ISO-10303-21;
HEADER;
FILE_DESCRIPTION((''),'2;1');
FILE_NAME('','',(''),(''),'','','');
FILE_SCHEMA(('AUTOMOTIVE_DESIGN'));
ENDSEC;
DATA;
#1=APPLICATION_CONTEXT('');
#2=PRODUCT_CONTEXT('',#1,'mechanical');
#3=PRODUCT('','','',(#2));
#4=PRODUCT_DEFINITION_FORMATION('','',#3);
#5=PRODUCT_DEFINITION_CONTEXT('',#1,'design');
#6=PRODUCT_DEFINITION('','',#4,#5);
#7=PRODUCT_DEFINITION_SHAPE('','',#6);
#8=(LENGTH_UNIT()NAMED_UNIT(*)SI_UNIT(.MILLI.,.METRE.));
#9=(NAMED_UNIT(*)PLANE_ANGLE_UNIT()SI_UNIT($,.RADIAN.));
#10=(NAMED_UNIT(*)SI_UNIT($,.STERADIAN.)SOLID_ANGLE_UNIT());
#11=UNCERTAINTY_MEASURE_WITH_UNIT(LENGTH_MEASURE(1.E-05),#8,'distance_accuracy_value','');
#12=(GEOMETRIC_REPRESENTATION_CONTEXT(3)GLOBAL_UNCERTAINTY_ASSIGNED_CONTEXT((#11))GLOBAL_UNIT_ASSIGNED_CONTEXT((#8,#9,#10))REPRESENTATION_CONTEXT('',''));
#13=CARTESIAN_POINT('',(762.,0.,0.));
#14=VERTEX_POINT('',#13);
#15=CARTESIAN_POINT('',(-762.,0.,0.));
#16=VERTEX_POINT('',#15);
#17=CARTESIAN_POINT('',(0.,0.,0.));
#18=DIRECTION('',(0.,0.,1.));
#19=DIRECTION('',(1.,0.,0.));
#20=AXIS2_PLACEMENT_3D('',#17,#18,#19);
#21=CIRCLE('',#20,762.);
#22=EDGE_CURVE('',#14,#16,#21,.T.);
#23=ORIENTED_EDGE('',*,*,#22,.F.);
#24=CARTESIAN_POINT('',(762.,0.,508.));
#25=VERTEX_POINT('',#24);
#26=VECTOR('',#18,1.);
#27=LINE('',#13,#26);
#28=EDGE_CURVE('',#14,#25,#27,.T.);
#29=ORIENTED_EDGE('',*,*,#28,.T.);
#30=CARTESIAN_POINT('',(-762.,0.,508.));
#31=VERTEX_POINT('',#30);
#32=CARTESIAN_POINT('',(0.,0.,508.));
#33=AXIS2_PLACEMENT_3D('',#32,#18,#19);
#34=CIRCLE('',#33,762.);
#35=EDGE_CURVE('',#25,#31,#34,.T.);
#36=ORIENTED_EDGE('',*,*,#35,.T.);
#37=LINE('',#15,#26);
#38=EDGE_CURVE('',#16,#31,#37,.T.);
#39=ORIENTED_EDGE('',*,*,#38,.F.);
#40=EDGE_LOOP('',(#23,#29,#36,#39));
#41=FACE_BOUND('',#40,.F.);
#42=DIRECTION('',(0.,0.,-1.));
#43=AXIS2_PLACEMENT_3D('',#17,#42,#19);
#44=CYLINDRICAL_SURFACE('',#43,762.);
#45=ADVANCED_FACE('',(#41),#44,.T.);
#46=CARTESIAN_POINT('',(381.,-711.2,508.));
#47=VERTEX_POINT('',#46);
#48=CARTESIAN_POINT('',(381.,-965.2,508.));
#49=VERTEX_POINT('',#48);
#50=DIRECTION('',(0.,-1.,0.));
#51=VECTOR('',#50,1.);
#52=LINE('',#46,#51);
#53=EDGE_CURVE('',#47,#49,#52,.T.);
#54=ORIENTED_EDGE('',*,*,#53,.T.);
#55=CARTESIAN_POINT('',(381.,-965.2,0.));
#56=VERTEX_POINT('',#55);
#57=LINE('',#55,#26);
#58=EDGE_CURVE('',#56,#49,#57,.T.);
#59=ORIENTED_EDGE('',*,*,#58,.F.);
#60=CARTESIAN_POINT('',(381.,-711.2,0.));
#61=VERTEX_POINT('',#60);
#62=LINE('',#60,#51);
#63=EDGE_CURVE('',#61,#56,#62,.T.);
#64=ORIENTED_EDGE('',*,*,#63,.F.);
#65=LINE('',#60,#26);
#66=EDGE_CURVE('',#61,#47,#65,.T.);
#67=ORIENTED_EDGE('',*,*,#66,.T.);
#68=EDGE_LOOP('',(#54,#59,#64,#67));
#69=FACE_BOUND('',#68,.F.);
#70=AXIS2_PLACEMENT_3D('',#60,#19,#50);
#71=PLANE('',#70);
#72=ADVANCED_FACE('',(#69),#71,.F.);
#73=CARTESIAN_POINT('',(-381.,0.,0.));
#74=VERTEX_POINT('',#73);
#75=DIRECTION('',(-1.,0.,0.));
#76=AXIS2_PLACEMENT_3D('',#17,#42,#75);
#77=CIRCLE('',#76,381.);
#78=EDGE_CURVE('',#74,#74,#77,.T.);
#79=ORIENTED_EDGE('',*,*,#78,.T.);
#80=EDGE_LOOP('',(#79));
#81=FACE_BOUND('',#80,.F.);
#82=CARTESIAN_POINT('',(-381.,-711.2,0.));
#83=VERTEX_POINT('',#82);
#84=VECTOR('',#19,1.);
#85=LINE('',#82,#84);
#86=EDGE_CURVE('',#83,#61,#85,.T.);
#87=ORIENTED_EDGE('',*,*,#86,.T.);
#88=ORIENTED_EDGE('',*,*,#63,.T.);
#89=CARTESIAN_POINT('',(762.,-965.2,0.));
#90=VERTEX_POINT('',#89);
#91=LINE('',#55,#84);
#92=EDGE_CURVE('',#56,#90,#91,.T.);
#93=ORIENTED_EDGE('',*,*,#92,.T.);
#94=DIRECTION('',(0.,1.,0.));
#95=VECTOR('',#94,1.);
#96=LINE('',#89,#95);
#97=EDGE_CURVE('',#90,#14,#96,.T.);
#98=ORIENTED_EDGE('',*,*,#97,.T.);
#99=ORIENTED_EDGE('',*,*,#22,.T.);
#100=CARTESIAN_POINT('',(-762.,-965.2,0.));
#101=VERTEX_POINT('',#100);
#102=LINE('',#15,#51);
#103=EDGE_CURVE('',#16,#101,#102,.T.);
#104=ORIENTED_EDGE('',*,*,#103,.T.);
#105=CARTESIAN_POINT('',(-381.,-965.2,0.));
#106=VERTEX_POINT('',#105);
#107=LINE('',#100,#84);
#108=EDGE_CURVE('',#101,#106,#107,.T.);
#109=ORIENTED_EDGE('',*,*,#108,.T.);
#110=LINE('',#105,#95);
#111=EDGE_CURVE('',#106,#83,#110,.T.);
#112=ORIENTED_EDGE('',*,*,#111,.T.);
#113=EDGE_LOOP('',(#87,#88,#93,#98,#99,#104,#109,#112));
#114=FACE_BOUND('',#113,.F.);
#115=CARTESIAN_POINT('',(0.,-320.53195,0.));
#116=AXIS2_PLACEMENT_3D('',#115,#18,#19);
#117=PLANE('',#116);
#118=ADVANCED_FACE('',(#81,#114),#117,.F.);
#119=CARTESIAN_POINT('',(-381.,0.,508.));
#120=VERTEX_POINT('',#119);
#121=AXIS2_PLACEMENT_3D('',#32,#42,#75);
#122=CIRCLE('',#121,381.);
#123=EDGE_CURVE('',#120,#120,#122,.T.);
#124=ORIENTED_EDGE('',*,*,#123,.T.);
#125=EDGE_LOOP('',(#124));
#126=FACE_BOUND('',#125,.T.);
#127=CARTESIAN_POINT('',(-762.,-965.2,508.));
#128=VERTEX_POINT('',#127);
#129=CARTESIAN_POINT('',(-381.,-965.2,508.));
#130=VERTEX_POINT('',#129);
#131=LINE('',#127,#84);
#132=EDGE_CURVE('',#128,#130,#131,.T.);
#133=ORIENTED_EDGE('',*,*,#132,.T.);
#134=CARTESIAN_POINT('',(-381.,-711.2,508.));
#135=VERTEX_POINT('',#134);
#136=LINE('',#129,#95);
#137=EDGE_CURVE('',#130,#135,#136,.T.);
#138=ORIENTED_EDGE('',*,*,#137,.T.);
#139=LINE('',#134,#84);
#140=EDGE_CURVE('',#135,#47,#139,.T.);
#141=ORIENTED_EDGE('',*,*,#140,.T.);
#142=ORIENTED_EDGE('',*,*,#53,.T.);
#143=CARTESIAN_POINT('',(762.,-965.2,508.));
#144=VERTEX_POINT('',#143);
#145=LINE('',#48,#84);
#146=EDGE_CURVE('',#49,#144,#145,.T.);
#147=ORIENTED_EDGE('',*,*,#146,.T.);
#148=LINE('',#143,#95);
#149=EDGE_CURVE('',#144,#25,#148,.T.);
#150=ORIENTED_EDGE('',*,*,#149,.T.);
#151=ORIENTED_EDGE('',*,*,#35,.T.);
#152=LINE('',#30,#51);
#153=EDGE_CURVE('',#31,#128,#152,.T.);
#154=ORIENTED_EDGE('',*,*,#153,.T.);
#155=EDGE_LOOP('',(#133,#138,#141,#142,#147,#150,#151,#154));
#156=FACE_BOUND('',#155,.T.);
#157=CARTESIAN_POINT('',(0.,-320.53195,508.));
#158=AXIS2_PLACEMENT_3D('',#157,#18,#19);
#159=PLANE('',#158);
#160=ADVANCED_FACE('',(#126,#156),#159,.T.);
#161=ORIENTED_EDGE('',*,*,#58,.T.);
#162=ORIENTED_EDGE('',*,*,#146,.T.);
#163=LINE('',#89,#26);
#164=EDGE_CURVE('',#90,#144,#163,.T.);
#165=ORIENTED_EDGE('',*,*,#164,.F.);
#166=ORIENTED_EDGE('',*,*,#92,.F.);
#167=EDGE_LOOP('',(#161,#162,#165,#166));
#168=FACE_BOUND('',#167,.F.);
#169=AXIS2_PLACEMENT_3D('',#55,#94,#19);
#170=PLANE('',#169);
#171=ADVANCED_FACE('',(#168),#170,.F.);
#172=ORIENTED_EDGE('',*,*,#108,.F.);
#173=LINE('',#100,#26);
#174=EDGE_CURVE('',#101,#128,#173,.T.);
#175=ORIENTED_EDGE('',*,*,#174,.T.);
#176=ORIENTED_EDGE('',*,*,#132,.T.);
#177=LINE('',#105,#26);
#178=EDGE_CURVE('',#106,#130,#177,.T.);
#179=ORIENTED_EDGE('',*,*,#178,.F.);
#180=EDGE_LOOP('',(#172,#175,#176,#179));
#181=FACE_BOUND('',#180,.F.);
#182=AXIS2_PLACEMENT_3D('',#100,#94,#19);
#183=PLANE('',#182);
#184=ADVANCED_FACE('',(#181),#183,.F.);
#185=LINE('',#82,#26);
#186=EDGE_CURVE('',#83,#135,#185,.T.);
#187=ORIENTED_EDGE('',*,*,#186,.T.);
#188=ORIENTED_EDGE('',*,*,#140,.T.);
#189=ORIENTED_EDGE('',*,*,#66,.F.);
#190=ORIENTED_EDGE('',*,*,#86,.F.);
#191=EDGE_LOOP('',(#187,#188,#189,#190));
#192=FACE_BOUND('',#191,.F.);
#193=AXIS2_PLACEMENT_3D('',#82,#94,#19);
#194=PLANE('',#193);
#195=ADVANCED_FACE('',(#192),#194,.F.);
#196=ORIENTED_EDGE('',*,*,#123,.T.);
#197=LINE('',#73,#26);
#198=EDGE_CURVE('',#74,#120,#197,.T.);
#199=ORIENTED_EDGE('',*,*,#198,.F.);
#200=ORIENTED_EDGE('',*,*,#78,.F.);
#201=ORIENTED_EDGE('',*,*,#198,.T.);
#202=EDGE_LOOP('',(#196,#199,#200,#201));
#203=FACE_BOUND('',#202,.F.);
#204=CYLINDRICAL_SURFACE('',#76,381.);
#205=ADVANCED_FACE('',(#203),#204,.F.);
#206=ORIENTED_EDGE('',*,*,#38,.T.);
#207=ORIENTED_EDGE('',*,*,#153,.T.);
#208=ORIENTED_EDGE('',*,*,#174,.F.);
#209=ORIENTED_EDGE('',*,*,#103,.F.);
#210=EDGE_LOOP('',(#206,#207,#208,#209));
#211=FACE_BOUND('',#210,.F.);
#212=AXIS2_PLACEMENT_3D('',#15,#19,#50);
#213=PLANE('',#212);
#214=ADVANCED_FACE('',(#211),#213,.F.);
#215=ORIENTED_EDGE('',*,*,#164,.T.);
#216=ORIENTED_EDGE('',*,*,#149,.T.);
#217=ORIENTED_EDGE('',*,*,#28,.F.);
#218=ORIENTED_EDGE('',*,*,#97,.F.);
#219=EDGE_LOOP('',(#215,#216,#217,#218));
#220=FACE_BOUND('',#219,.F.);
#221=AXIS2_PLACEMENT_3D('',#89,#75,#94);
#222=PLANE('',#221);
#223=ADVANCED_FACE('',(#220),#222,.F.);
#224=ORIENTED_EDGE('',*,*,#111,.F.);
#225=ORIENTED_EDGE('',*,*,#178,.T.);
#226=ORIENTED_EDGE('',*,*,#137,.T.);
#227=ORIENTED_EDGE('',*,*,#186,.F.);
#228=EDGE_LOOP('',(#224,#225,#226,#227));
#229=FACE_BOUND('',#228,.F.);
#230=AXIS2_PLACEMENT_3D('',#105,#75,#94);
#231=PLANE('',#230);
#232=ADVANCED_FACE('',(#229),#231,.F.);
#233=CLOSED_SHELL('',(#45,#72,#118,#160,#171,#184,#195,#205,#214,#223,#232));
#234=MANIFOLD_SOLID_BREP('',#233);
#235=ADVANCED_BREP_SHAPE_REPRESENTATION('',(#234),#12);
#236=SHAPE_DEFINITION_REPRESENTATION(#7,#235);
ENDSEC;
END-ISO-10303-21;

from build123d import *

# Parameters (mm, degrees)
F1_DEPTH = 508


with BuildPart() as f1:
    # F0 (on Top) → F1 (new body)
    with BuildSketch(Plane.XY):
        with BuildLine():
            Line((762, 0), (381, 0))
            ThreePointArc((381, 0), (0, -381), (-381, 0))
            Line((-381, 0), (-762, 0))
            ThreePointArc((-762, 0), (-628.132779, -431.385225), (-273.566372, -711.2))
            Line((-273.566372, -711.2), (273.566372, -711.2))
            ThreePointArc((273.566372, -711.2), (628.132779, -431.385225), (762, 0))
        make_face()
        with BuildLine():
            ThreePointArc((-273.566372, -711.2), (-628.132779, -431.385225), (-762, 0))
            Line((-762, 0), (-762, -965.2))
            Line((-762, -965.2), (-381, -965.2))
            Line((-381, -965.2), (-381, -711.2))
            Line((-381, -711.2), (-273.566372, -711.2))
        make_face()
        with BuildLine():
            Line((762, -965.2), (762, 0))
            ThreePointArc((762, 0), (628.132779, -431.385225), (273.566372, -711.2))
            Line((273.566372, -711.2), (381, -711.2))
            Line((381, -711.2), (381, -965.2))
            Line((381, -965.2), (762, -965.2))
        make_face()
        with BuildLine():
            ThreePointArc((-381, 0), (0, 381), (381, 0))
            Line((381, 0), (762, 0))
            ThreePointArc((762, 0), (0, 762), (-762, 0))
            Line((-762, 0), (-381, 0))
        make_face()
    extrude(amount=F1_DEPTH)


solid = f1.part
